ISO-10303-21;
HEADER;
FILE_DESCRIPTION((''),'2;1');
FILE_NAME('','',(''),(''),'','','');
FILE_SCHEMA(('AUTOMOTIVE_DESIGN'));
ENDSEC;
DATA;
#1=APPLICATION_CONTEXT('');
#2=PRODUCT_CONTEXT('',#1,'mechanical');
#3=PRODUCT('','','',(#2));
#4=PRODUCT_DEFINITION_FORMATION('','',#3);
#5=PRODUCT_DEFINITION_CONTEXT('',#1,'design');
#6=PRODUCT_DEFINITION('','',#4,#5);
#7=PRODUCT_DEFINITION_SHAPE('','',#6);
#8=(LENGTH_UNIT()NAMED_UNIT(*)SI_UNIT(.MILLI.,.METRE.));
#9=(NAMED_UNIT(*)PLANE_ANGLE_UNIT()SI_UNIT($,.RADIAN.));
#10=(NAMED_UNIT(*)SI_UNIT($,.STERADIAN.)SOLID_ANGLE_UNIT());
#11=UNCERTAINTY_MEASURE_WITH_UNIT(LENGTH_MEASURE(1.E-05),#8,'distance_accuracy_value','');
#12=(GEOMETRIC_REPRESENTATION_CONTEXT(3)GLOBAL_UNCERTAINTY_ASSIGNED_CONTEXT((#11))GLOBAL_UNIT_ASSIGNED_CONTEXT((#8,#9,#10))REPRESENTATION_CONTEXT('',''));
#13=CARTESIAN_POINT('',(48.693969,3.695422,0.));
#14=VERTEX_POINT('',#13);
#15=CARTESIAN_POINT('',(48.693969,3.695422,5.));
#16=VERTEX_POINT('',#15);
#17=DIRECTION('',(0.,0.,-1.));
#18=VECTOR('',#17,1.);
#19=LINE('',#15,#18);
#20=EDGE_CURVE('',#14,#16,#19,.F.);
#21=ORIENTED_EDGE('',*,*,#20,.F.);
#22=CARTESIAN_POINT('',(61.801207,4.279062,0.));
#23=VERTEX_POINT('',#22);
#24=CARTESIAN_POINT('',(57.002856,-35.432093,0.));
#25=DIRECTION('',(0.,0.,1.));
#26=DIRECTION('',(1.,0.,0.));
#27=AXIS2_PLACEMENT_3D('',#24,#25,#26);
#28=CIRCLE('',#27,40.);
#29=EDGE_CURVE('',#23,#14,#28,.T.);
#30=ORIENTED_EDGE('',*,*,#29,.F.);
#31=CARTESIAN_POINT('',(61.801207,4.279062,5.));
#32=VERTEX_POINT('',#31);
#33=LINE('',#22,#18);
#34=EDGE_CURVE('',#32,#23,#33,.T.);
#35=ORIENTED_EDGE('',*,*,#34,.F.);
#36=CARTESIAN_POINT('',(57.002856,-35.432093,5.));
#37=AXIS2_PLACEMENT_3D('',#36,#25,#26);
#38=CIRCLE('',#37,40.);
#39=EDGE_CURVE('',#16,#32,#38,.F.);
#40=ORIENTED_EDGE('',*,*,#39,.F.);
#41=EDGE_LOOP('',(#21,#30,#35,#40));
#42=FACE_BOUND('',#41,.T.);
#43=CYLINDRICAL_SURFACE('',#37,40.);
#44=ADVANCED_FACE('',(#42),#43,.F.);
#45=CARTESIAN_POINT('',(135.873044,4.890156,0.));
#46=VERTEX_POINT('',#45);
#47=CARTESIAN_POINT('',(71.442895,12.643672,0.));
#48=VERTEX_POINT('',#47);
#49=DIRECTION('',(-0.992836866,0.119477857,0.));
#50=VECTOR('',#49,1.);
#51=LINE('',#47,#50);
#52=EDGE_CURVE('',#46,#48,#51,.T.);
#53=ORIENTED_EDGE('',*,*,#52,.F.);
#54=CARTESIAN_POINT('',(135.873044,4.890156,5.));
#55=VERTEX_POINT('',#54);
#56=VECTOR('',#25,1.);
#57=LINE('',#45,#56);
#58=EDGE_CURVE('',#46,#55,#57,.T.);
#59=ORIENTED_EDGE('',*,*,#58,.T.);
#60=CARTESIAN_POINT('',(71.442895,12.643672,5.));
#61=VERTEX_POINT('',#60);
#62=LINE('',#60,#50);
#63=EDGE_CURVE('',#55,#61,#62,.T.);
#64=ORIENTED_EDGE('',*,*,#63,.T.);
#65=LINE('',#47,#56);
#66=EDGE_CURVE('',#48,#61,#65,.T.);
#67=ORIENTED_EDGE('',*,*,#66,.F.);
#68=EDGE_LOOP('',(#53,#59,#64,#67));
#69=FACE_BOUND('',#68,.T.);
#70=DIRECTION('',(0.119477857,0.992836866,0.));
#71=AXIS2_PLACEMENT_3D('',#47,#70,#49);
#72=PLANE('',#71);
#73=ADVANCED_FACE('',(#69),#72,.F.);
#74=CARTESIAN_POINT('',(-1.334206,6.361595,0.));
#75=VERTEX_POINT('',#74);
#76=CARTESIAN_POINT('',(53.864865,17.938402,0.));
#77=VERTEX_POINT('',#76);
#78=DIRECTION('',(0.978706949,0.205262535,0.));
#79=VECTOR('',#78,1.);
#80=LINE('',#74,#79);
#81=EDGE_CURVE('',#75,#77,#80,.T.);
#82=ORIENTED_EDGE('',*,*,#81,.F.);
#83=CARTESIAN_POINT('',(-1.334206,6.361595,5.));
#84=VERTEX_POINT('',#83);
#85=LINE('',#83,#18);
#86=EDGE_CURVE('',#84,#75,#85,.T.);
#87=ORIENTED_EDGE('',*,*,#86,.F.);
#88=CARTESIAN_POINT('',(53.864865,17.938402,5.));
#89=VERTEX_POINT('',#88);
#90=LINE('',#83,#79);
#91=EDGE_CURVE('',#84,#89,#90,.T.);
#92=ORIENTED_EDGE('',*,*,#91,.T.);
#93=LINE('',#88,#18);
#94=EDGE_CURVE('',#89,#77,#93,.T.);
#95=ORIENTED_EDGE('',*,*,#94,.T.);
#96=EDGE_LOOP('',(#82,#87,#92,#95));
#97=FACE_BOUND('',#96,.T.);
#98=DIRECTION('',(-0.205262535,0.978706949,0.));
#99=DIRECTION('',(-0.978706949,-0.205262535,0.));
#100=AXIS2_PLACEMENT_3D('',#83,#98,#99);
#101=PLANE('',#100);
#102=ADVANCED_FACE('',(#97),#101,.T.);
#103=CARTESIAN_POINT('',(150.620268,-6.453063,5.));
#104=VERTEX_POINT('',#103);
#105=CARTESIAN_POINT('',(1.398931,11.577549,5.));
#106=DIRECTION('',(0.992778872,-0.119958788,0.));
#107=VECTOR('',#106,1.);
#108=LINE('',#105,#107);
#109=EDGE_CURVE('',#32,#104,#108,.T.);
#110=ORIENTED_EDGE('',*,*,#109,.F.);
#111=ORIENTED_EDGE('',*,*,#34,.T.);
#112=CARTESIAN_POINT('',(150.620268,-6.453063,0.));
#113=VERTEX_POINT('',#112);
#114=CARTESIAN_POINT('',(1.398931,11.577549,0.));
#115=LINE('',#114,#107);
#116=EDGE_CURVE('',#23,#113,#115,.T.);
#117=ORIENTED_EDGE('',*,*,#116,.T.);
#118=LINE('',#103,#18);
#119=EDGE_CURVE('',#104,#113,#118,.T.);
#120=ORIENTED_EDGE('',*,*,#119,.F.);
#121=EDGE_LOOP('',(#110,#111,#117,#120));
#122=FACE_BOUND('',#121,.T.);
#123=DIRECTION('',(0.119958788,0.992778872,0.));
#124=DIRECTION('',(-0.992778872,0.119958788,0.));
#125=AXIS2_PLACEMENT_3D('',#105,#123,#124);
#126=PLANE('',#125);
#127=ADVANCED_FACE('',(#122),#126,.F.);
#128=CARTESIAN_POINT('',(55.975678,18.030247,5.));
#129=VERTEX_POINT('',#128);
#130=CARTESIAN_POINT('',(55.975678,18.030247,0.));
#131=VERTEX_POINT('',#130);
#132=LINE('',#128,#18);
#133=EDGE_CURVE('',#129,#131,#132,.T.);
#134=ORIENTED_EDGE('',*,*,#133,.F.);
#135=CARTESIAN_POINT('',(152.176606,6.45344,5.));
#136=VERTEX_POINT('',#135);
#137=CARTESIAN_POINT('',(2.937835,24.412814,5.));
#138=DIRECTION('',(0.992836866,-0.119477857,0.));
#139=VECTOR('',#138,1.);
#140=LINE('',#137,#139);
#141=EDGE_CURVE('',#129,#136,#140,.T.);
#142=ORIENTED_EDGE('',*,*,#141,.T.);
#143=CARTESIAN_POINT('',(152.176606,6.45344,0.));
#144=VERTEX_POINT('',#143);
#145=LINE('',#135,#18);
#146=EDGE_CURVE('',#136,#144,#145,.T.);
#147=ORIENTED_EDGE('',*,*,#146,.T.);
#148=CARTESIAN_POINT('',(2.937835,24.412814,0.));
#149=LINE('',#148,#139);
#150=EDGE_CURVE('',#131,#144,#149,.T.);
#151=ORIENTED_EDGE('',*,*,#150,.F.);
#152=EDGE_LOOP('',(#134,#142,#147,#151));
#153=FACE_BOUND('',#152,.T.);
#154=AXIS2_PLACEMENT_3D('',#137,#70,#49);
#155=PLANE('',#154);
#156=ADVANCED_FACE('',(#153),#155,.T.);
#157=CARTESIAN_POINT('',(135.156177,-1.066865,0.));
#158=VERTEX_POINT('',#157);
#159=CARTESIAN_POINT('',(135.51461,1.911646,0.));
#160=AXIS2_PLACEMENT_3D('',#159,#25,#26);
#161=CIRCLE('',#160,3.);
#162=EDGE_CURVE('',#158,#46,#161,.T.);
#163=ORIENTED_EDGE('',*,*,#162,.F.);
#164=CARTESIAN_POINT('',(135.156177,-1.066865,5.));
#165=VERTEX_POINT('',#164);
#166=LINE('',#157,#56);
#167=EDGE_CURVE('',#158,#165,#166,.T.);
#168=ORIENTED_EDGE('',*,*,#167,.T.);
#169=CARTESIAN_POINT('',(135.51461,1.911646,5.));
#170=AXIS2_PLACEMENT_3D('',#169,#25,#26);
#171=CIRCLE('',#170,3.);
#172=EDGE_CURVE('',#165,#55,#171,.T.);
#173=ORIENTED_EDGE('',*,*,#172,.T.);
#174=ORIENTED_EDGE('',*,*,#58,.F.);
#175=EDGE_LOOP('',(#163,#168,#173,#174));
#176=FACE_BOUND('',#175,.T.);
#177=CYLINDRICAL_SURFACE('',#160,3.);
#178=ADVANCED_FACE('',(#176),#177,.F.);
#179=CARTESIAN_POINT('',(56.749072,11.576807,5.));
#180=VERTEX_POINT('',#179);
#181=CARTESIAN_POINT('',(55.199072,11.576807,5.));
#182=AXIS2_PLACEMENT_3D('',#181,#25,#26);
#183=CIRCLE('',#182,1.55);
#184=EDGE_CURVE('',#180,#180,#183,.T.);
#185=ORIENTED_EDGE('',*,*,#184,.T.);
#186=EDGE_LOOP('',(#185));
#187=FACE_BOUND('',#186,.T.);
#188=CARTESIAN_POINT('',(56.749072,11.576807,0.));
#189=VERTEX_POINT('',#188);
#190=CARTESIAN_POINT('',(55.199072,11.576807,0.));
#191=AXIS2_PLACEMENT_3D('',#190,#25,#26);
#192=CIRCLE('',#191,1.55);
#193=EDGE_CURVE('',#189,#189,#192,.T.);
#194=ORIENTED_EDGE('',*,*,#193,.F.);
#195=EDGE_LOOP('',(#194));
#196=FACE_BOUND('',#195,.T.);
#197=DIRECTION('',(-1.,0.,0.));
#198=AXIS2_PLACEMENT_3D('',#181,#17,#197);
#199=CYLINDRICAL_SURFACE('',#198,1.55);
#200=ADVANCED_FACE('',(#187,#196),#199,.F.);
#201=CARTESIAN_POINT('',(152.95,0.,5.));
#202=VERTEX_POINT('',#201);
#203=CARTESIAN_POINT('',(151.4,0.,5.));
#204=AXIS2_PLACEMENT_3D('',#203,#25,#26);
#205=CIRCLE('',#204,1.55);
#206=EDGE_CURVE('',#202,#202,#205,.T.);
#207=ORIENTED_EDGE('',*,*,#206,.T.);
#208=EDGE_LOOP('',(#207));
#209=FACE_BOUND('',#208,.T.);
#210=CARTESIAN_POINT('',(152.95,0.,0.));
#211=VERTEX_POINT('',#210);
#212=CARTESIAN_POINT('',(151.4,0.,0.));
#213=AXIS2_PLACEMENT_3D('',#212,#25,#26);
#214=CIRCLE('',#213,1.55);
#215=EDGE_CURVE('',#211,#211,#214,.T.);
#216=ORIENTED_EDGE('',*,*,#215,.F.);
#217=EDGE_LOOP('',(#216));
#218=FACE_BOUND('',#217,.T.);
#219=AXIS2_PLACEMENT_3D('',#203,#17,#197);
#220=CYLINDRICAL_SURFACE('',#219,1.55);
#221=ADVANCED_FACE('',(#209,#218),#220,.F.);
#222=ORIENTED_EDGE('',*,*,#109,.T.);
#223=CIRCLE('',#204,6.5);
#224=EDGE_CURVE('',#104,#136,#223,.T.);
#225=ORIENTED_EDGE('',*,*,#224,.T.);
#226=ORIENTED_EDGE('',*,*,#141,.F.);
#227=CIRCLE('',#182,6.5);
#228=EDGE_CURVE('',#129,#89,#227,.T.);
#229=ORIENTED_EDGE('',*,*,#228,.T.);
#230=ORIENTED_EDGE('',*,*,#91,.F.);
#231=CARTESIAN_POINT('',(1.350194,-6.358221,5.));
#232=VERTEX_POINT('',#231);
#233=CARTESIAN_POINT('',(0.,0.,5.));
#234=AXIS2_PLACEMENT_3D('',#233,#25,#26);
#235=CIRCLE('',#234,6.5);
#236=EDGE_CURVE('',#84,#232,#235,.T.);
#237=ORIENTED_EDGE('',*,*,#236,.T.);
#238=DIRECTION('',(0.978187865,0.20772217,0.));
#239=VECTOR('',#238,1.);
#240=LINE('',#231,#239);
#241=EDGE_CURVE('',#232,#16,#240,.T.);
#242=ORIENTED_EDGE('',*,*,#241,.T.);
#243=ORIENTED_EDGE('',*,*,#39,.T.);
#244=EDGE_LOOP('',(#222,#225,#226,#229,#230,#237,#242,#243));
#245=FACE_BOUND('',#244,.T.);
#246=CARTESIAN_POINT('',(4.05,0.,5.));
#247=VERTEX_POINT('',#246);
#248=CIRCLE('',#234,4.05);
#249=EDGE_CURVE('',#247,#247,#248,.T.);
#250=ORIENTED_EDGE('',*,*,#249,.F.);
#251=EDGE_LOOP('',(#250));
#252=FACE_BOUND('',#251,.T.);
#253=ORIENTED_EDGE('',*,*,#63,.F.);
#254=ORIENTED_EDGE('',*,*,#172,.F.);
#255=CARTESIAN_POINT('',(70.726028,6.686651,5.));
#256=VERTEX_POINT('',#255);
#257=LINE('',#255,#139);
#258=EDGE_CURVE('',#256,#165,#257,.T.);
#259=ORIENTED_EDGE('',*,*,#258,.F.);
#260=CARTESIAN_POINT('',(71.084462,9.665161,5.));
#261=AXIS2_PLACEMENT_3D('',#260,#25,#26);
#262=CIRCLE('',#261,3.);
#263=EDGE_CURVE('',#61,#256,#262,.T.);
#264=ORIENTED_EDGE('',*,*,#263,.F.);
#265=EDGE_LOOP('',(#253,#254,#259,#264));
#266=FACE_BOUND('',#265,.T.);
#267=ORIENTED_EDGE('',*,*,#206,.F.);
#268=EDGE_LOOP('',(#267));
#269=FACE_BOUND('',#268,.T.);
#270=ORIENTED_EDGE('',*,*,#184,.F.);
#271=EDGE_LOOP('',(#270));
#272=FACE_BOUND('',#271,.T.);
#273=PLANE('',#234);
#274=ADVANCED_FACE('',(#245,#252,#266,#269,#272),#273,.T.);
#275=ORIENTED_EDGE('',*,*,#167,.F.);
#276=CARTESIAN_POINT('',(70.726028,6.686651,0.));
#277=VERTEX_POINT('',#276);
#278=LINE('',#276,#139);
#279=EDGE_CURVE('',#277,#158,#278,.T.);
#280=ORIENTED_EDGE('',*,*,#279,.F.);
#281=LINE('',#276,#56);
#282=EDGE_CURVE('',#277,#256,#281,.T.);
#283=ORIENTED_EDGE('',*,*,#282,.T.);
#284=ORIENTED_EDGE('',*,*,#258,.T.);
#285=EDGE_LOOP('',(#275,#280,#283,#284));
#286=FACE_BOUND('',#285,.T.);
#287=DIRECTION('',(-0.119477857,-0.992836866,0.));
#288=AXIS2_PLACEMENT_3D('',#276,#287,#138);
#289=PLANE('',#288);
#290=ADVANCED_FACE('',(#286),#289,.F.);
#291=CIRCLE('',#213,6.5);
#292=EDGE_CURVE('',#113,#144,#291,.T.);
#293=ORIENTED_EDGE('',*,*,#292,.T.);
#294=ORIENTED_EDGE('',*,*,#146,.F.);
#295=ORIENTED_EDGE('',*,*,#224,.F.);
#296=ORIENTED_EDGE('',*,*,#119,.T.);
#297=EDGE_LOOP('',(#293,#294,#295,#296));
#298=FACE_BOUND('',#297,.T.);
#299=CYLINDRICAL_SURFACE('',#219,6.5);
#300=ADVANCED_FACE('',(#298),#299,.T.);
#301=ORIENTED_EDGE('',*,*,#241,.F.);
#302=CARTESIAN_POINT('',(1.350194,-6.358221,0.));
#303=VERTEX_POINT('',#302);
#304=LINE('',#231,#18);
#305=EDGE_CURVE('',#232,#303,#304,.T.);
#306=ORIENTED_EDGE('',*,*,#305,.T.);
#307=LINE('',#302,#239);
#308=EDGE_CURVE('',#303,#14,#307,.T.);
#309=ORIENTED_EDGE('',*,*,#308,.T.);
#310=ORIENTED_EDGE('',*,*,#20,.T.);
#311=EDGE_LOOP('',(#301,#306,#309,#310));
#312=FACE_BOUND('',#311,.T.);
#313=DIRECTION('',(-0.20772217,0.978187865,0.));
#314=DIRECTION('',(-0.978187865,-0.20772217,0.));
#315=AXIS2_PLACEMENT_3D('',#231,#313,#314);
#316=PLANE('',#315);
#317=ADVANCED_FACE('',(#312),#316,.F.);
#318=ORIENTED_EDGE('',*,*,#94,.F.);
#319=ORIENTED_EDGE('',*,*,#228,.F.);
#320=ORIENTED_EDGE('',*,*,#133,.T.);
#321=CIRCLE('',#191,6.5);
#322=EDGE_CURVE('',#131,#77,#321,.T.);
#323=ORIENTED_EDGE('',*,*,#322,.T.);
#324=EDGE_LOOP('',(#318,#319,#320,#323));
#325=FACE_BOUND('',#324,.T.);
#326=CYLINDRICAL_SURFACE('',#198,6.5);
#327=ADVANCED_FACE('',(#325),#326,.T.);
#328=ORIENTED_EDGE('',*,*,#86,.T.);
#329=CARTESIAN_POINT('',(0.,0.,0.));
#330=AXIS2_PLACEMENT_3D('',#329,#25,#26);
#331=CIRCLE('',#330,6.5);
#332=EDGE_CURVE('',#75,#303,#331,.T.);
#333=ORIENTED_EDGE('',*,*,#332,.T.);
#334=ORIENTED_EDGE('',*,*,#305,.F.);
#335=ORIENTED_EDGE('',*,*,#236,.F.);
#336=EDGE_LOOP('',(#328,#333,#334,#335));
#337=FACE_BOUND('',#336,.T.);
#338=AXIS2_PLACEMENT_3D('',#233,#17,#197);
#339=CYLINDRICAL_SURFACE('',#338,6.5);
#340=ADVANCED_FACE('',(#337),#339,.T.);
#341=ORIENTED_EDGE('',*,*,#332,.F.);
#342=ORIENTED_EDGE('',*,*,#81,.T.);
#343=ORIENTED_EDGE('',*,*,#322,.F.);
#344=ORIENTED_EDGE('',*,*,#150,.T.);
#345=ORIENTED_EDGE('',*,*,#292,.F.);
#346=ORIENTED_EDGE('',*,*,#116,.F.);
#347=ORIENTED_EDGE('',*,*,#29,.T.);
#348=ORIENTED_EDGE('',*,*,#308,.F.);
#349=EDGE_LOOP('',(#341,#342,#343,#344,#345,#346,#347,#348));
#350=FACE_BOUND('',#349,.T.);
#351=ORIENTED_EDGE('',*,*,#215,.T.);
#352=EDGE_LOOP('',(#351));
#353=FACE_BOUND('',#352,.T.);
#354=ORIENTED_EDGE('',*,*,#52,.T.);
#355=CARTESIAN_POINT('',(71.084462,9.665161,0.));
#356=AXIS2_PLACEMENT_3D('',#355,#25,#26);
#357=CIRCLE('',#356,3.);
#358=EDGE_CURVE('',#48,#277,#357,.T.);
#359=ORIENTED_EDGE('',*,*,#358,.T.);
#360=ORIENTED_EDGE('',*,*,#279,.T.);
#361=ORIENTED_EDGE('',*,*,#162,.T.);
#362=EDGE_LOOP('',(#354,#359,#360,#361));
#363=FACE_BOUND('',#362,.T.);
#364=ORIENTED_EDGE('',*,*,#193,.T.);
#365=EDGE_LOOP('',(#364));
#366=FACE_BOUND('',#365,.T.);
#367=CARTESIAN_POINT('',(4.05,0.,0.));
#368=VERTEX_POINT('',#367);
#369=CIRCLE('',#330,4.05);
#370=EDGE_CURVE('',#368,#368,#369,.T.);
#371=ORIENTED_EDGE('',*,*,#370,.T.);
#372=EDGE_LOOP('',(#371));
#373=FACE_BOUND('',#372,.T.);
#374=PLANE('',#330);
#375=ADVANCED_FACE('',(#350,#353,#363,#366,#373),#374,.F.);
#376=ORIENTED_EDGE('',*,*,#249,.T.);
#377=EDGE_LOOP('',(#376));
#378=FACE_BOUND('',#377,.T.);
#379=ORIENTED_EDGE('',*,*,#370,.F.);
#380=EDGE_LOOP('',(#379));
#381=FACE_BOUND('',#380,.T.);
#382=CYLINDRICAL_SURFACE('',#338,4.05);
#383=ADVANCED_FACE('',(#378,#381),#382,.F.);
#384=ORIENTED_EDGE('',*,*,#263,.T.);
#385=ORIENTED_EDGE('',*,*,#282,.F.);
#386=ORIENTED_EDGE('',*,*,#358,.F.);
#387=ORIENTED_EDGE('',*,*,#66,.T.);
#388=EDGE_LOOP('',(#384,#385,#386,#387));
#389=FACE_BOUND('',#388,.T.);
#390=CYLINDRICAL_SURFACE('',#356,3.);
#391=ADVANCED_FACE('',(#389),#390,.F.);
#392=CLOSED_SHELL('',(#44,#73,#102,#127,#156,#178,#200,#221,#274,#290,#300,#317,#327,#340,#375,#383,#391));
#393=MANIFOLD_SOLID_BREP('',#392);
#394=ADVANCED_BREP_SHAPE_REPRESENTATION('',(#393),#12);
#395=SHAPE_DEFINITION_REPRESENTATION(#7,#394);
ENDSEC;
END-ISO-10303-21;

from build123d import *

# Parameters (mm, degrees)
SKETCH_1_R          = 6.5
SKETCH_1_R_2        = 4.05
SKETCH_1_R_3        = 1.55
EXTRUDE_1_DEPTH     = 5
FILLET_1_R          = 40
CUT_EXTRUDE_1_DEPTH = 160.010002676


with BuildPart() as part:
    # 草图1 → 凸台-拉伸1 (new body)
    # profile 1 of 5: a face of its own
    with BuildSketch(Plane.XY):
        Circle(SKETCH_1_R)
        Circle(SKETCH_1_R_2, mode=Mode.SUBTRACT)
    # profile 2 of 5: a face of its own
    with BuildSketch(Plane.XY):
        with BuildLine():
            ThreePointArc((6.5, 0), (5.051052449, -4.091071884), (1.350194104, -6.358221126))
            Line((1.350194104, -6.358221126), (55.199071912, 5.076806988))
            ThreePointArc((55.199071912, 5.076806988), (48.73376571, 10.906123973), (53.864865433, 17.938402155))
            Line((53.864865433, 17.938402155), (-1.334206479, 6.361595167))
            ThreePointArc((-1.334206479, 6.361595167), (4.09741735, 5.045906366), (6.5, 0))
        make_face()
    # profile 3 of 5: a face of its own
    with BuildSketch(Plane.XY):
        with Locations((55.199071912, 11.576806988)):
            Circle(SKETCH_1_R)
        with Locations((55.199071912, 11.576806988)):
            Circle(SKETCH_1_R_3, mode=Mode.SUBTRACT)
    # profile 4 of 5: a face of its own
    with BuildSketch(Plane.XY):
        with BuildLine():
            ThreePointArc((61.699071912, 11.576806988), (59.79526599, 6.98061291), (55.199071912, 5.076806988))
            Line((55.199071912, 5.076806988), (150.620267879, -6.45306267))
            ThreePointArc((150.620267879, -6.45306267), (144.946748663, 0.778169119), (152.176606073, 6.453439626))
            Line((152.176606073, 6.453439626), (55.975677985, 18.030246614))
            ThreePointArc((55.975677985, 18.030246614), (60.062092551, 15.88969816), (61.699071912, 11.576806988))
        make_face()
    # profile 5 of 5: a face of its own
    with BuildSketch(Plane.XY):
        with Locations((151.4, 0)):
            Circle(SKETCH_1_R)
        with Locations((151.4, 0)):
            Circle(SKETCH_1_R_3, mode=Mode.SUBTRACT)
    extrude(amount=EXTRUDE_1_DEPTH)

    # 圆角1
    fillet_1_edges = [part.edges().sort_by_distance(p)[0] for p in [
        (55.199071912, 5.076806988, 2.5),
    ]]
    fillet(fillet_1_edges, radius=FILLET_1_R)

    # 草图2 → 切除-拉伸1 (cut, through all)
    with BuildSketch(Plane.XY.offset(5)):
        with BuildLine():
            Line((71.442895333, 12.643671867), (135.873043723, 4.890156314))
            ThreePointArc((135.873043723, 4.890156314), (138.493120748, 1.553212146), (135.156176579, -1.066864879))
            Line((135.156176579, -1.066864879), (70.726028189, 6.686650674))
            ThreePointArc((70.726028189, 6.686650674), (68.105951164, 10.023594842), (71.442895333, 12.643671867))
        make_face()
    extrude(amount=-CUT_EXTRUDE_1_DEPTH, mode=Mode.SUBTRACT)


solid = part.part
